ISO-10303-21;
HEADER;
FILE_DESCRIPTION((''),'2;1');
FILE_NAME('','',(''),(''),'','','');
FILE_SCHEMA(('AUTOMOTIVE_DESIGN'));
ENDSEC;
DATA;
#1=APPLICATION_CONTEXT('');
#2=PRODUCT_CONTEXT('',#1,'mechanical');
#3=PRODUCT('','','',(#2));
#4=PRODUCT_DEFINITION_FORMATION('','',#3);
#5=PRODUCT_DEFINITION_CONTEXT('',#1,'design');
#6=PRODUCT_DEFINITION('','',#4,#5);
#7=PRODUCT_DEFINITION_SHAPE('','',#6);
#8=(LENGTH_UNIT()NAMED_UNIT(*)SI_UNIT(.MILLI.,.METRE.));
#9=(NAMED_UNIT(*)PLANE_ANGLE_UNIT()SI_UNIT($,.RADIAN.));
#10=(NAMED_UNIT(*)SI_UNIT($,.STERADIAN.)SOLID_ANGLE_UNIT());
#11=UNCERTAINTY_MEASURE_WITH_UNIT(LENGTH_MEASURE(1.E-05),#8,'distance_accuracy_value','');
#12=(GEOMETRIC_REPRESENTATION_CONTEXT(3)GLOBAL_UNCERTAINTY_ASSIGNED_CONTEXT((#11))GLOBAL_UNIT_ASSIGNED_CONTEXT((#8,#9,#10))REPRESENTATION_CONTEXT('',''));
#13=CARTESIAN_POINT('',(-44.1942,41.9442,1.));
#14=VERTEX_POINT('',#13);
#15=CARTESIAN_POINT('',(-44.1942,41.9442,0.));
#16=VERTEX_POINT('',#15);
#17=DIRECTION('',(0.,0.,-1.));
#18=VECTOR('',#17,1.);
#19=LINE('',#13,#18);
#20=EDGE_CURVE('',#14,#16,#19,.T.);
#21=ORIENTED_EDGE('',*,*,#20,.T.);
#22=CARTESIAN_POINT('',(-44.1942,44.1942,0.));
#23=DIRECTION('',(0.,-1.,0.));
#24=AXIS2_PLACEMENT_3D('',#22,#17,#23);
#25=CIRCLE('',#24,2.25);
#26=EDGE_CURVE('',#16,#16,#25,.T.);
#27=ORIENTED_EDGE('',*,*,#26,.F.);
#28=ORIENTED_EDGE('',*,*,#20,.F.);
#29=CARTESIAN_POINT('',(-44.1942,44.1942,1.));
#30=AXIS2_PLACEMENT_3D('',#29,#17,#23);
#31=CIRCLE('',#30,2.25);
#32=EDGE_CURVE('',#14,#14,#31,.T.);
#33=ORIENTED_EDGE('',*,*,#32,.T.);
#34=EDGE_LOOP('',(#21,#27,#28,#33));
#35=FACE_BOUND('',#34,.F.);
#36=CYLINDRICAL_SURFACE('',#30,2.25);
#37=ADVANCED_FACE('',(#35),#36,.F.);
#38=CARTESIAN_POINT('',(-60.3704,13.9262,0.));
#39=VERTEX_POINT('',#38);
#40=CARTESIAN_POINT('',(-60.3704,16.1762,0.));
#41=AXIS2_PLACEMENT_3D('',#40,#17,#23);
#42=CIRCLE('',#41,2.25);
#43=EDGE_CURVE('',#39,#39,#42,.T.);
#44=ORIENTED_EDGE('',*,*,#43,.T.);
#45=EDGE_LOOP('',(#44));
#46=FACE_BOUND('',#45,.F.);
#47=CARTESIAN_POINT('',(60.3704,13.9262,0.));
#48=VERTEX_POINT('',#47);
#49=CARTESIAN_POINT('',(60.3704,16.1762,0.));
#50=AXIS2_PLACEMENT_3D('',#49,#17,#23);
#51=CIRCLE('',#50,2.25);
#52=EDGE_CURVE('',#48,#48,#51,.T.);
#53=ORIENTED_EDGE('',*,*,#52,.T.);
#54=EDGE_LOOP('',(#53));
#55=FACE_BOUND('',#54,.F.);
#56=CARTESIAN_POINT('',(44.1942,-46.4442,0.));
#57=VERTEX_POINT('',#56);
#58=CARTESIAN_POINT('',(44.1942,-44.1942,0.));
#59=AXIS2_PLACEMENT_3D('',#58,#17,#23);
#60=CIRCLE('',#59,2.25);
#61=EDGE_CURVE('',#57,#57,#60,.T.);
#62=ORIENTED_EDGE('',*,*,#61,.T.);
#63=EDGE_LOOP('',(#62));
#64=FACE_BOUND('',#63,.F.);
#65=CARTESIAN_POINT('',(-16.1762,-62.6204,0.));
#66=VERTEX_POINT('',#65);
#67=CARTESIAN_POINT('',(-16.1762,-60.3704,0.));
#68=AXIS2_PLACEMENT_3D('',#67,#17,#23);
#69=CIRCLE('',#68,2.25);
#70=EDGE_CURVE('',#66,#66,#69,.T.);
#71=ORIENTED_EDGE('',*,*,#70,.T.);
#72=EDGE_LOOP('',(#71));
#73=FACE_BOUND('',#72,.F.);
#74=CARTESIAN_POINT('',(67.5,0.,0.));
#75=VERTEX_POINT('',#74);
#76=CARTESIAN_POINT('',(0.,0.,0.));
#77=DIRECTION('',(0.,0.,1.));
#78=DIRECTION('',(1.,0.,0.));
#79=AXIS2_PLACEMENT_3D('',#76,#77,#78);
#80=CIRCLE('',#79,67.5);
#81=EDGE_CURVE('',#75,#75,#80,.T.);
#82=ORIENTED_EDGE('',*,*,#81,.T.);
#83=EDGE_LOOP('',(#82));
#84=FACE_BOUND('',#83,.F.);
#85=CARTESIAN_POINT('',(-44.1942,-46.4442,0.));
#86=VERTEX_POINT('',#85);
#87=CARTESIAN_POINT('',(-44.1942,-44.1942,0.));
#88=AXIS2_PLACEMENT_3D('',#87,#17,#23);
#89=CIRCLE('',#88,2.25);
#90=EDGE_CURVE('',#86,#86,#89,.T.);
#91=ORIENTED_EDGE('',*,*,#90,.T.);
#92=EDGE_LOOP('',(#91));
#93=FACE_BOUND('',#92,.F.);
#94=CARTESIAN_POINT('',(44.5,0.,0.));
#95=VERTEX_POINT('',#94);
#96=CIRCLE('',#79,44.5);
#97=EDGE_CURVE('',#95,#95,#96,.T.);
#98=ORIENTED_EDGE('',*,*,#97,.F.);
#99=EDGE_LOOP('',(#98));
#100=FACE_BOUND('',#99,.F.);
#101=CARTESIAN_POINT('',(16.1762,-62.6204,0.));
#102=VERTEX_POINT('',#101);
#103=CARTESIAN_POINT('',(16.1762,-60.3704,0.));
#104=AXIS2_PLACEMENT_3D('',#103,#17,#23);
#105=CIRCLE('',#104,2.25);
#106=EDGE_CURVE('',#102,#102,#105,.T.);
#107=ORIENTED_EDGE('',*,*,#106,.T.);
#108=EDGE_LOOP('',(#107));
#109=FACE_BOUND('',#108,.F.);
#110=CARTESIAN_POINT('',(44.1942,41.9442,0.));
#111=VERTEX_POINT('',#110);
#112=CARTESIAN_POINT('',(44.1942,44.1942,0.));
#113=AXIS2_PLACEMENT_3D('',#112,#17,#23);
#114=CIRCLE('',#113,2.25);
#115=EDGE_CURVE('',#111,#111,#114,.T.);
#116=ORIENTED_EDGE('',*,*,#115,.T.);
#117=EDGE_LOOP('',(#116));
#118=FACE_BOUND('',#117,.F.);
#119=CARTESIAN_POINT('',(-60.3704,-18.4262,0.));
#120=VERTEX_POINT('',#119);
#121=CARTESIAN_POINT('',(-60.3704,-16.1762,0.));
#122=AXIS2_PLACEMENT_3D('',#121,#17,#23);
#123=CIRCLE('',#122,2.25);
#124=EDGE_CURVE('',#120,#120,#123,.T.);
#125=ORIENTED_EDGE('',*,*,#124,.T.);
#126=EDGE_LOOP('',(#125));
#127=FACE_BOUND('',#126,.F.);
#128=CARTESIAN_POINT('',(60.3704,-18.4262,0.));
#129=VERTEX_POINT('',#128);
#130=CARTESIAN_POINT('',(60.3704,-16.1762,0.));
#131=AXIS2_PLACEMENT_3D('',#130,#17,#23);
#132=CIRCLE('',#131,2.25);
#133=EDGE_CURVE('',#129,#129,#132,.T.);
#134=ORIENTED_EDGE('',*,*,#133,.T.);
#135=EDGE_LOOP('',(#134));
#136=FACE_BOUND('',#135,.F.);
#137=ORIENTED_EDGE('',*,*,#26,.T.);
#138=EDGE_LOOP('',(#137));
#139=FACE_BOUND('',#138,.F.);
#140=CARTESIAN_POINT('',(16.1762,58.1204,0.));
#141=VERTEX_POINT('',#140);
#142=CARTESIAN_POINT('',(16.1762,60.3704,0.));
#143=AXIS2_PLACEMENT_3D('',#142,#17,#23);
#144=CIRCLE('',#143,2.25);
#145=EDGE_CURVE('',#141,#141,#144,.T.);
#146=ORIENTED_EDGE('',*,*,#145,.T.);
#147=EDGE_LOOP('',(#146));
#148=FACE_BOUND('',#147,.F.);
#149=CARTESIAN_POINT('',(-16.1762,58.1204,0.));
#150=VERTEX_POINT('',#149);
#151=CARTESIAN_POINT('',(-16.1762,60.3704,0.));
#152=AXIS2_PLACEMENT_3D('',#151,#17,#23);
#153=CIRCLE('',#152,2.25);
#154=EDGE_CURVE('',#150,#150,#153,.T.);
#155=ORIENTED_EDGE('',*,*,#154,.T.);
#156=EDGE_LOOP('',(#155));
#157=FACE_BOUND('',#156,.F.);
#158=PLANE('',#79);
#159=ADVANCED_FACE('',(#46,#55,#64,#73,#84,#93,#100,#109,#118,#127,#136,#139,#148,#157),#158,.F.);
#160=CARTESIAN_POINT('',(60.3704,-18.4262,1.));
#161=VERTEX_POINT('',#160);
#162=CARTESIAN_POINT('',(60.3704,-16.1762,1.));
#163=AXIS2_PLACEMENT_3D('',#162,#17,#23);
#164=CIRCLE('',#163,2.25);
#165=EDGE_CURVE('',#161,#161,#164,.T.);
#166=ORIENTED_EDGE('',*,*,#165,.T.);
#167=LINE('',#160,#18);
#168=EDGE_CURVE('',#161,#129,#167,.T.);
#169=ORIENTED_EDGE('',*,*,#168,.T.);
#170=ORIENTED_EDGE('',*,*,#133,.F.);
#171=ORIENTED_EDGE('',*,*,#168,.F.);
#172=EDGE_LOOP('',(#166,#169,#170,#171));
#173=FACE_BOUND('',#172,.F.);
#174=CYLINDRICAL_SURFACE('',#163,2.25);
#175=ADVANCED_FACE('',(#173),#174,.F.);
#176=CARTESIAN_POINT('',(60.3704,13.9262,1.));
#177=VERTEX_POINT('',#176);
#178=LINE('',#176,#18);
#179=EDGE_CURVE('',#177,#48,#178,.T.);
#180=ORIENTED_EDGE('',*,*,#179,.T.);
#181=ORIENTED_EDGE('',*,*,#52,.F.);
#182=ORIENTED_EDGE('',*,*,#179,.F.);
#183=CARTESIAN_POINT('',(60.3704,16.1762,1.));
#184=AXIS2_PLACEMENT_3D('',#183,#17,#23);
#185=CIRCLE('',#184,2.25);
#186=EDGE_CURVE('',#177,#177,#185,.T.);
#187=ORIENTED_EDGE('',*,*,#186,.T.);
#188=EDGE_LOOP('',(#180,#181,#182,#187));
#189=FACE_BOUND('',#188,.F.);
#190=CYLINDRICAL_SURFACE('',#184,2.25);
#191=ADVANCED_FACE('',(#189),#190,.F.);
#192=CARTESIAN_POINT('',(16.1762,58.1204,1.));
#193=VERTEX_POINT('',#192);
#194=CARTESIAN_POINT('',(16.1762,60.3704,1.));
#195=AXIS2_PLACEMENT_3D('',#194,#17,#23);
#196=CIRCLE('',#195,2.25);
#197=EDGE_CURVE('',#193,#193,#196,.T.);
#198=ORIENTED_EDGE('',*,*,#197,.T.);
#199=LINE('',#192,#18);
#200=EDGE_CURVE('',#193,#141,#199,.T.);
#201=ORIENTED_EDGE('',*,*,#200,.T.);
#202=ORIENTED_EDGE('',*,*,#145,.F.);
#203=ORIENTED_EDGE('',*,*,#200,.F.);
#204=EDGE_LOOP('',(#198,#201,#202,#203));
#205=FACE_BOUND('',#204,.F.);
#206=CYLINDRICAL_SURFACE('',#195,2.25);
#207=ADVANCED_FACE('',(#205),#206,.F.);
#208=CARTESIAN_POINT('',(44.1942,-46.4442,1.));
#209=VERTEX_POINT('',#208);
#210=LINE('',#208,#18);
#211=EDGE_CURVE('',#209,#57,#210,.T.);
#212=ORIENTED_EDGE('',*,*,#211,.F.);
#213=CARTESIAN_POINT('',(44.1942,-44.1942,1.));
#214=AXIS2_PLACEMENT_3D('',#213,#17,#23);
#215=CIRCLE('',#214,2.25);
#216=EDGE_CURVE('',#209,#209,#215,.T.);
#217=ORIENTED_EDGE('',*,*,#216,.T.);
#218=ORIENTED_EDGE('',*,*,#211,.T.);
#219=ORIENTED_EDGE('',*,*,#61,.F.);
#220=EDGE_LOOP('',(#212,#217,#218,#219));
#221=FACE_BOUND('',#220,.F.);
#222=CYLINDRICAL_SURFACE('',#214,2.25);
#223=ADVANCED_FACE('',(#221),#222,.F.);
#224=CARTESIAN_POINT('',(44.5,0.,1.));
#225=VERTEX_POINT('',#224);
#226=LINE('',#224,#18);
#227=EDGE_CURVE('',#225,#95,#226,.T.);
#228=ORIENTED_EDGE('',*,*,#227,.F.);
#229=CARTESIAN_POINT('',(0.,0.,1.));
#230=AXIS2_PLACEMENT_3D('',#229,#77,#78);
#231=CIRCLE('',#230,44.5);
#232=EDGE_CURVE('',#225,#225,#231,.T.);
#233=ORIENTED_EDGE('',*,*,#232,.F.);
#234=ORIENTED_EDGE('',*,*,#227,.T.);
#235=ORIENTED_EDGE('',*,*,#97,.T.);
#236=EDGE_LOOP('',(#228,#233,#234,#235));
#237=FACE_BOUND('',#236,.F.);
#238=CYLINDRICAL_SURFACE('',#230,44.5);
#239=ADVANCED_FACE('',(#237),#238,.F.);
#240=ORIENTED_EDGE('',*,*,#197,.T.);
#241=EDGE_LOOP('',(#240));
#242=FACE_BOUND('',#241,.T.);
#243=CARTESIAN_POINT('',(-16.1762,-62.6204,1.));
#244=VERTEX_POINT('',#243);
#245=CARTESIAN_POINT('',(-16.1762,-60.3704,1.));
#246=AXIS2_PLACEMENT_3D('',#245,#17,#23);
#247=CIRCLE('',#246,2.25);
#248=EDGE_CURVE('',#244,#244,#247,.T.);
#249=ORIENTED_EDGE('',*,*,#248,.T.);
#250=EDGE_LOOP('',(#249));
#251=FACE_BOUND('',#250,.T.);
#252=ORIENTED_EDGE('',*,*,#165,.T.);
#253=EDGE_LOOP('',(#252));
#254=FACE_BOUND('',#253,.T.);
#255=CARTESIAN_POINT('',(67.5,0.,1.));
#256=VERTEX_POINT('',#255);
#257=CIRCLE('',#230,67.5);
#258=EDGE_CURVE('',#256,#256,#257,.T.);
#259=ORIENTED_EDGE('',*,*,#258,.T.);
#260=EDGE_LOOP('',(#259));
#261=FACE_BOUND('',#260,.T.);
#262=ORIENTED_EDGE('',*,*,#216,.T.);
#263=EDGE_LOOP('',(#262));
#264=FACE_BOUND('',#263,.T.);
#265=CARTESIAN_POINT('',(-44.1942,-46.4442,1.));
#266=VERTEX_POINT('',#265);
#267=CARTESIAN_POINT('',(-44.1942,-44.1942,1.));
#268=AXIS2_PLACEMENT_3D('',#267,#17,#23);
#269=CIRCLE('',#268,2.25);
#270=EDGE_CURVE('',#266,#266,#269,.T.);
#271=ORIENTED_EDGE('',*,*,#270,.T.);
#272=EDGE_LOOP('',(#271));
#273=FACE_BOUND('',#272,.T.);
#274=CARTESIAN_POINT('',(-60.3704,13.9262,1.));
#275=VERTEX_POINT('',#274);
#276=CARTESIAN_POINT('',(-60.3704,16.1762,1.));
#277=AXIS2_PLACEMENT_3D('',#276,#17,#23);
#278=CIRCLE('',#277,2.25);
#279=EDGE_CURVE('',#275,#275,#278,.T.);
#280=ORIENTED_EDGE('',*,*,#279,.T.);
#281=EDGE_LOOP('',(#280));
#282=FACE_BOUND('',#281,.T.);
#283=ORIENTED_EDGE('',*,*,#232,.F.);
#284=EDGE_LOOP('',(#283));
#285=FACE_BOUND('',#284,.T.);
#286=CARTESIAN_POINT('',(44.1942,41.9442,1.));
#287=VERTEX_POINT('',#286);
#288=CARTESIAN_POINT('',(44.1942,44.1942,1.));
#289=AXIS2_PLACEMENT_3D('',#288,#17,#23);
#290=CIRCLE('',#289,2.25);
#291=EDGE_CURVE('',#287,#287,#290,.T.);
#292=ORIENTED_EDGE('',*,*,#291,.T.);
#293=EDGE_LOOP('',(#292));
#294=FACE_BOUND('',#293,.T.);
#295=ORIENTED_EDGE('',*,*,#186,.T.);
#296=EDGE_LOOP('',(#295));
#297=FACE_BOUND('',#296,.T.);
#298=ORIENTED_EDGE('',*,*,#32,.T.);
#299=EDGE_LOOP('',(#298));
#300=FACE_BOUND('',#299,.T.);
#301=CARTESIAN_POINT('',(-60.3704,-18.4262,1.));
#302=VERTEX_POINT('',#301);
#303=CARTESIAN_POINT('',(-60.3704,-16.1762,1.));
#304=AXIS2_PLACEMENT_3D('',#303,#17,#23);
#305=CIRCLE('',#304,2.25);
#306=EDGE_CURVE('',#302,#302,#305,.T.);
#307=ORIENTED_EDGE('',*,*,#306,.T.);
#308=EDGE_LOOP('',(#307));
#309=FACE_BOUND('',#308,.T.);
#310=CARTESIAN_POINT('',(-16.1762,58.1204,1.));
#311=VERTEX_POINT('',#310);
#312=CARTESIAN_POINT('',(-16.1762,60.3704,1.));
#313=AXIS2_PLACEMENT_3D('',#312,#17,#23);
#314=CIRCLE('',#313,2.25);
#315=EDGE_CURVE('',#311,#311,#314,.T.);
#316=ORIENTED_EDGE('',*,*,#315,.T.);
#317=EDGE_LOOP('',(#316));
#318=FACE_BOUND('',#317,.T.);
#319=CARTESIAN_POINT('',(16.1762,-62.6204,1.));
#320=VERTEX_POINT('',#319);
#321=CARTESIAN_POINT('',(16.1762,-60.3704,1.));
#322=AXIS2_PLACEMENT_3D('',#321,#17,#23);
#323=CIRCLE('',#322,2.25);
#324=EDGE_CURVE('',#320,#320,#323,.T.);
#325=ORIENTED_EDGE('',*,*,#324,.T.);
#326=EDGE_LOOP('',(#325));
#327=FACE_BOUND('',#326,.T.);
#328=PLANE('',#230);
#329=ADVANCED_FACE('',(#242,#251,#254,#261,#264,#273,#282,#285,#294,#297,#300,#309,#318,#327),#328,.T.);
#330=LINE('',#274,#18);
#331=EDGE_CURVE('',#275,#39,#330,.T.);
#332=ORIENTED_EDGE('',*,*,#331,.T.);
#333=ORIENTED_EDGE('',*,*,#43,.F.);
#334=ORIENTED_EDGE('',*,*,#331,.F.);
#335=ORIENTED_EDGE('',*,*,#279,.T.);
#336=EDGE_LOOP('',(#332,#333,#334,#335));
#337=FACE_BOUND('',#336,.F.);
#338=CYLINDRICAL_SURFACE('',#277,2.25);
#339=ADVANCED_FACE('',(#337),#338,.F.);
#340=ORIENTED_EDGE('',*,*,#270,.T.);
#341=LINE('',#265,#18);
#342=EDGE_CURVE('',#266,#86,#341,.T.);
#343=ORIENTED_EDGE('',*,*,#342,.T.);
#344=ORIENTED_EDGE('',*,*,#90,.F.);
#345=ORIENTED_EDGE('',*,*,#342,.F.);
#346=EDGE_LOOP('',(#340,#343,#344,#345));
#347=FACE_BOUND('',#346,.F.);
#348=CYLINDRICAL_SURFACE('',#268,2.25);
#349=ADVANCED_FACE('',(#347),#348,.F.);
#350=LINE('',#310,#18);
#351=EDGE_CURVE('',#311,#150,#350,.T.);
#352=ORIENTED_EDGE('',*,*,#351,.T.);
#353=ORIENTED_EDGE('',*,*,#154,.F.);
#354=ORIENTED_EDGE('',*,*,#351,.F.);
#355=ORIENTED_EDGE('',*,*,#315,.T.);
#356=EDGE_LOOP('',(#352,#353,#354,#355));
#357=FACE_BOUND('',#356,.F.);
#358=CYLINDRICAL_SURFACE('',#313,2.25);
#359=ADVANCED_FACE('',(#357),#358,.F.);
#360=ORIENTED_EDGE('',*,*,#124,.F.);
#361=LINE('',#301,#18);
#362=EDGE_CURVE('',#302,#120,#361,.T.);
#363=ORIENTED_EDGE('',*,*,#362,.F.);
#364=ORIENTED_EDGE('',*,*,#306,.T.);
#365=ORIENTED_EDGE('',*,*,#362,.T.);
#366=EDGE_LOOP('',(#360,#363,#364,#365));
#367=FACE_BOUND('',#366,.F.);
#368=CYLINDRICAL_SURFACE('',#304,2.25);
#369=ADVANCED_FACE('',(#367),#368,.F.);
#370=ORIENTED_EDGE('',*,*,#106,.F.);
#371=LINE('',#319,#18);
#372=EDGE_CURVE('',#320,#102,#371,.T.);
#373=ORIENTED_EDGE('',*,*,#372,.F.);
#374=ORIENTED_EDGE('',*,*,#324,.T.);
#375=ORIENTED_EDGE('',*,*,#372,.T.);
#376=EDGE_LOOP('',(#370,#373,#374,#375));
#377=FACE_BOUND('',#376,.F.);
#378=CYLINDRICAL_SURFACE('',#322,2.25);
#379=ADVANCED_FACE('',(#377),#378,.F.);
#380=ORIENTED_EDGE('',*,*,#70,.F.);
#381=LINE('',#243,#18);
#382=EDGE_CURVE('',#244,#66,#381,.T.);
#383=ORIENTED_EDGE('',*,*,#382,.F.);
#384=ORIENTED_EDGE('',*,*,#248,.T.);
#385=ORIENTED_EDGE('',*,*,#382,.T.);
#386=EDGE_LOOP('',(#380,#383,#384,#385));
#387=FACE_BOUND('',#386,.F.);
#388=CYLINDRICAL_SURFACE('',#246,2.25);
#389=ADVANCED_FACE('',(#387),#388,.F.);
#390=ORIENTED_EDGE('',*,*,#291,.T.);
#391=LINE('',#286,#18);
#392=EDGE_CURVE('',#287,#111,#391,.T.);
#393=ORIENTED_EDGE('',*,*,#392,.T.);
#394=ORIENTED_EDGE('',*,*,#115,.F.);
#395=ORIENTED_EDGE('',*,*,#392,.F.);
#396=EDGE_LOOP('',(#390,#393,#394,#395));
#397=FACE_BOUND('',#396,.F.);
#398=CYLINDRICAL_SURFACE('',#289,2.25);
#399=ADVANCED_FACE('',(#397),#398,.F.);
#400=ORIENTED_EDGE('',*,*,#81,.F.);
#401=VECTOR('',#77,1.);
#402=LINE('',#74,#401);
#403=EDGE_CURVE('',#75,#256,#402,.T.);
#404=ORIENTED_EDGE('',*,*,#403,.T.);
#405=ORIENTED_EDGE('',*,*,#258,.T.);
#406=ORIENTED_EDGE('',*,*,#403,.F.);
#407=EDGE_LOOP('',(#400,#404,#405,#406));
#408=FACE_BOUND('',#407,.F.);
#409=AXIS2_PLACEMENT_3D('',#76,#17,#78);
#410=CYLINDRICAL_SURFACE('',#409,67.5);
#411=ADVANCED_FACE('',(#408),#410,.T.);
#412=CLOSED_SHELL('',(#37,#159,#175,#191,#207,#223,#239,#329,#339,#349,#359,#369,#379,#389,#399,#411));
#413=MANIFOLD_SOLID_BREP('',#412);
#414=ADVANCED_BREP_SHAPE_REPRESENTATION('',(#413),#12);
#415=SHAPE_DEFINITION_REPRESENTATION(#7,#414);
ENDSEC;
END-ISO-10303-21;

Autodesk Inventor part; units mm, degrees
ref_plane "YZ Plane" through (0, 0, 0) normal (1, 0, 0) x (0, 1, 0)
ref_plane "XZ Plane" through (0, 0, 0) normal (0, 1, 0) x (-1, 0, 0)
ref_plane "XY Plane" through (0, 0, 0) normal (0, 0, 1) x (1, 0, 0)
sketch "スケッチ4" plane through (0, 0, 1) normal (0, 0, 1) x (1, 0, 0)
  circle A0 centre (16.1762, 60.3704) radius 2.25 projected
  circle A1 centre (-16.1762, 60.3704) radius 2.25 projected
  circle A2 centre (0, 0) radius 67.5 projected
  circle A3 centre (-16.1762, 60.3704) radius 5
  circle A4 centre (16.1762, 60.3704) radius 5
  circle A5 centre (0, 0) radius 62.5
  point P0 (-11.2987, 61.4702)
  point P1 (11.2987, 61.4702)
  point P2 (17.4703, 65.2)
  point P3 (-17.4703, 65.2)
sketch "スケッチ1" plane through (0, 0, 0) normal (0, 0, 1) x (1, 0, 0)
  circle A0 centre (0, 0) radius 67.5
  dimension "d0" = 135
extrude "プレート1" add sketch "スケッチ1" along normal blind 1
sketch "スケッチ2" plane through (0, 0, 1) normal (0, 0, 1) x (1, 0, 0)
  circle A0 centre (0, 0) radius 44.5
  dimension "d2" = 89
extrude "押し出し1" cut sketch "スケッチ2" against normal through all
sketch "スケッチ3" plane through (0, 0, 1) normal (0, 0, 1) x (1, 0, 0)
  circle A0 centre (0, 0) radius 62.5
  point P0 (16.1762, 60.3704)
  point P1 (-16.1762, 60.3704)
  point P2 (-44.1942, 44.1942)
  point P3 (-60.3704, 16.1762)
  point P4 (-60.3704, -16.1762)
  point P5 (-44.1942, -44.1942)
  point P6 (-16.1762, -60.3704)
  point P7 (16.1762, -60.3704)
  point P8 (44.1942, -44.1942)
  point P9 (60.3704, -16.1762)
  point P10 (60.3704, 16.1762)
  point P11 (44.1942, 44.1942)
  dimension "d5" = 125
  dimension "d8" = 360
  dimension "d23" = 0
hole "穴1" at (16.1762, 60.3704, 1) at (-16.1762, 60.3704, 1) at (-44.1942, 44.1942, 1) at (-60.3704, 16.1762, 1) at (-60.3704, -16.1762, 1) at (-44.1942, -44.1942, 1) at (-16.1762, -60.3704, 1) at (16.1762, -60.3704, 1) at (44.1942, -44.1942, 1) at (60.3704, -16.1762, 1) at (60.3704, 16.1762, 1) at (44.1942, 44.1942, 1) direction (0, 0, -1) diameter 4.5 end through all clearance for "Flat Head Machine Screw" size "M4" standard "Ansi Metric M Profile"
equation "\"d15\" = Thickness"
equation "\"d1\" = Thickness"
equation "\"BendRadius\" = Thickness"
equation "\"BendReliefWidth\" = Thickness"
equation "\"BendReliefDepth\" = 0.5 * Thickness"
equation "\"CornerReliefSize\" = 4 * Thickness"
equation "\"MinimumRemnant\" = 2 * Thickness"
equation "\"TransitionRadius\" = BendRadius"
equation "\"JacobiRadiusSize\" = BendRadius"
equation "\"GapSize\" = Thickness"
equation "\"Thickness\" = 1"
properties part number "unit-plate3" material "CFRP"
